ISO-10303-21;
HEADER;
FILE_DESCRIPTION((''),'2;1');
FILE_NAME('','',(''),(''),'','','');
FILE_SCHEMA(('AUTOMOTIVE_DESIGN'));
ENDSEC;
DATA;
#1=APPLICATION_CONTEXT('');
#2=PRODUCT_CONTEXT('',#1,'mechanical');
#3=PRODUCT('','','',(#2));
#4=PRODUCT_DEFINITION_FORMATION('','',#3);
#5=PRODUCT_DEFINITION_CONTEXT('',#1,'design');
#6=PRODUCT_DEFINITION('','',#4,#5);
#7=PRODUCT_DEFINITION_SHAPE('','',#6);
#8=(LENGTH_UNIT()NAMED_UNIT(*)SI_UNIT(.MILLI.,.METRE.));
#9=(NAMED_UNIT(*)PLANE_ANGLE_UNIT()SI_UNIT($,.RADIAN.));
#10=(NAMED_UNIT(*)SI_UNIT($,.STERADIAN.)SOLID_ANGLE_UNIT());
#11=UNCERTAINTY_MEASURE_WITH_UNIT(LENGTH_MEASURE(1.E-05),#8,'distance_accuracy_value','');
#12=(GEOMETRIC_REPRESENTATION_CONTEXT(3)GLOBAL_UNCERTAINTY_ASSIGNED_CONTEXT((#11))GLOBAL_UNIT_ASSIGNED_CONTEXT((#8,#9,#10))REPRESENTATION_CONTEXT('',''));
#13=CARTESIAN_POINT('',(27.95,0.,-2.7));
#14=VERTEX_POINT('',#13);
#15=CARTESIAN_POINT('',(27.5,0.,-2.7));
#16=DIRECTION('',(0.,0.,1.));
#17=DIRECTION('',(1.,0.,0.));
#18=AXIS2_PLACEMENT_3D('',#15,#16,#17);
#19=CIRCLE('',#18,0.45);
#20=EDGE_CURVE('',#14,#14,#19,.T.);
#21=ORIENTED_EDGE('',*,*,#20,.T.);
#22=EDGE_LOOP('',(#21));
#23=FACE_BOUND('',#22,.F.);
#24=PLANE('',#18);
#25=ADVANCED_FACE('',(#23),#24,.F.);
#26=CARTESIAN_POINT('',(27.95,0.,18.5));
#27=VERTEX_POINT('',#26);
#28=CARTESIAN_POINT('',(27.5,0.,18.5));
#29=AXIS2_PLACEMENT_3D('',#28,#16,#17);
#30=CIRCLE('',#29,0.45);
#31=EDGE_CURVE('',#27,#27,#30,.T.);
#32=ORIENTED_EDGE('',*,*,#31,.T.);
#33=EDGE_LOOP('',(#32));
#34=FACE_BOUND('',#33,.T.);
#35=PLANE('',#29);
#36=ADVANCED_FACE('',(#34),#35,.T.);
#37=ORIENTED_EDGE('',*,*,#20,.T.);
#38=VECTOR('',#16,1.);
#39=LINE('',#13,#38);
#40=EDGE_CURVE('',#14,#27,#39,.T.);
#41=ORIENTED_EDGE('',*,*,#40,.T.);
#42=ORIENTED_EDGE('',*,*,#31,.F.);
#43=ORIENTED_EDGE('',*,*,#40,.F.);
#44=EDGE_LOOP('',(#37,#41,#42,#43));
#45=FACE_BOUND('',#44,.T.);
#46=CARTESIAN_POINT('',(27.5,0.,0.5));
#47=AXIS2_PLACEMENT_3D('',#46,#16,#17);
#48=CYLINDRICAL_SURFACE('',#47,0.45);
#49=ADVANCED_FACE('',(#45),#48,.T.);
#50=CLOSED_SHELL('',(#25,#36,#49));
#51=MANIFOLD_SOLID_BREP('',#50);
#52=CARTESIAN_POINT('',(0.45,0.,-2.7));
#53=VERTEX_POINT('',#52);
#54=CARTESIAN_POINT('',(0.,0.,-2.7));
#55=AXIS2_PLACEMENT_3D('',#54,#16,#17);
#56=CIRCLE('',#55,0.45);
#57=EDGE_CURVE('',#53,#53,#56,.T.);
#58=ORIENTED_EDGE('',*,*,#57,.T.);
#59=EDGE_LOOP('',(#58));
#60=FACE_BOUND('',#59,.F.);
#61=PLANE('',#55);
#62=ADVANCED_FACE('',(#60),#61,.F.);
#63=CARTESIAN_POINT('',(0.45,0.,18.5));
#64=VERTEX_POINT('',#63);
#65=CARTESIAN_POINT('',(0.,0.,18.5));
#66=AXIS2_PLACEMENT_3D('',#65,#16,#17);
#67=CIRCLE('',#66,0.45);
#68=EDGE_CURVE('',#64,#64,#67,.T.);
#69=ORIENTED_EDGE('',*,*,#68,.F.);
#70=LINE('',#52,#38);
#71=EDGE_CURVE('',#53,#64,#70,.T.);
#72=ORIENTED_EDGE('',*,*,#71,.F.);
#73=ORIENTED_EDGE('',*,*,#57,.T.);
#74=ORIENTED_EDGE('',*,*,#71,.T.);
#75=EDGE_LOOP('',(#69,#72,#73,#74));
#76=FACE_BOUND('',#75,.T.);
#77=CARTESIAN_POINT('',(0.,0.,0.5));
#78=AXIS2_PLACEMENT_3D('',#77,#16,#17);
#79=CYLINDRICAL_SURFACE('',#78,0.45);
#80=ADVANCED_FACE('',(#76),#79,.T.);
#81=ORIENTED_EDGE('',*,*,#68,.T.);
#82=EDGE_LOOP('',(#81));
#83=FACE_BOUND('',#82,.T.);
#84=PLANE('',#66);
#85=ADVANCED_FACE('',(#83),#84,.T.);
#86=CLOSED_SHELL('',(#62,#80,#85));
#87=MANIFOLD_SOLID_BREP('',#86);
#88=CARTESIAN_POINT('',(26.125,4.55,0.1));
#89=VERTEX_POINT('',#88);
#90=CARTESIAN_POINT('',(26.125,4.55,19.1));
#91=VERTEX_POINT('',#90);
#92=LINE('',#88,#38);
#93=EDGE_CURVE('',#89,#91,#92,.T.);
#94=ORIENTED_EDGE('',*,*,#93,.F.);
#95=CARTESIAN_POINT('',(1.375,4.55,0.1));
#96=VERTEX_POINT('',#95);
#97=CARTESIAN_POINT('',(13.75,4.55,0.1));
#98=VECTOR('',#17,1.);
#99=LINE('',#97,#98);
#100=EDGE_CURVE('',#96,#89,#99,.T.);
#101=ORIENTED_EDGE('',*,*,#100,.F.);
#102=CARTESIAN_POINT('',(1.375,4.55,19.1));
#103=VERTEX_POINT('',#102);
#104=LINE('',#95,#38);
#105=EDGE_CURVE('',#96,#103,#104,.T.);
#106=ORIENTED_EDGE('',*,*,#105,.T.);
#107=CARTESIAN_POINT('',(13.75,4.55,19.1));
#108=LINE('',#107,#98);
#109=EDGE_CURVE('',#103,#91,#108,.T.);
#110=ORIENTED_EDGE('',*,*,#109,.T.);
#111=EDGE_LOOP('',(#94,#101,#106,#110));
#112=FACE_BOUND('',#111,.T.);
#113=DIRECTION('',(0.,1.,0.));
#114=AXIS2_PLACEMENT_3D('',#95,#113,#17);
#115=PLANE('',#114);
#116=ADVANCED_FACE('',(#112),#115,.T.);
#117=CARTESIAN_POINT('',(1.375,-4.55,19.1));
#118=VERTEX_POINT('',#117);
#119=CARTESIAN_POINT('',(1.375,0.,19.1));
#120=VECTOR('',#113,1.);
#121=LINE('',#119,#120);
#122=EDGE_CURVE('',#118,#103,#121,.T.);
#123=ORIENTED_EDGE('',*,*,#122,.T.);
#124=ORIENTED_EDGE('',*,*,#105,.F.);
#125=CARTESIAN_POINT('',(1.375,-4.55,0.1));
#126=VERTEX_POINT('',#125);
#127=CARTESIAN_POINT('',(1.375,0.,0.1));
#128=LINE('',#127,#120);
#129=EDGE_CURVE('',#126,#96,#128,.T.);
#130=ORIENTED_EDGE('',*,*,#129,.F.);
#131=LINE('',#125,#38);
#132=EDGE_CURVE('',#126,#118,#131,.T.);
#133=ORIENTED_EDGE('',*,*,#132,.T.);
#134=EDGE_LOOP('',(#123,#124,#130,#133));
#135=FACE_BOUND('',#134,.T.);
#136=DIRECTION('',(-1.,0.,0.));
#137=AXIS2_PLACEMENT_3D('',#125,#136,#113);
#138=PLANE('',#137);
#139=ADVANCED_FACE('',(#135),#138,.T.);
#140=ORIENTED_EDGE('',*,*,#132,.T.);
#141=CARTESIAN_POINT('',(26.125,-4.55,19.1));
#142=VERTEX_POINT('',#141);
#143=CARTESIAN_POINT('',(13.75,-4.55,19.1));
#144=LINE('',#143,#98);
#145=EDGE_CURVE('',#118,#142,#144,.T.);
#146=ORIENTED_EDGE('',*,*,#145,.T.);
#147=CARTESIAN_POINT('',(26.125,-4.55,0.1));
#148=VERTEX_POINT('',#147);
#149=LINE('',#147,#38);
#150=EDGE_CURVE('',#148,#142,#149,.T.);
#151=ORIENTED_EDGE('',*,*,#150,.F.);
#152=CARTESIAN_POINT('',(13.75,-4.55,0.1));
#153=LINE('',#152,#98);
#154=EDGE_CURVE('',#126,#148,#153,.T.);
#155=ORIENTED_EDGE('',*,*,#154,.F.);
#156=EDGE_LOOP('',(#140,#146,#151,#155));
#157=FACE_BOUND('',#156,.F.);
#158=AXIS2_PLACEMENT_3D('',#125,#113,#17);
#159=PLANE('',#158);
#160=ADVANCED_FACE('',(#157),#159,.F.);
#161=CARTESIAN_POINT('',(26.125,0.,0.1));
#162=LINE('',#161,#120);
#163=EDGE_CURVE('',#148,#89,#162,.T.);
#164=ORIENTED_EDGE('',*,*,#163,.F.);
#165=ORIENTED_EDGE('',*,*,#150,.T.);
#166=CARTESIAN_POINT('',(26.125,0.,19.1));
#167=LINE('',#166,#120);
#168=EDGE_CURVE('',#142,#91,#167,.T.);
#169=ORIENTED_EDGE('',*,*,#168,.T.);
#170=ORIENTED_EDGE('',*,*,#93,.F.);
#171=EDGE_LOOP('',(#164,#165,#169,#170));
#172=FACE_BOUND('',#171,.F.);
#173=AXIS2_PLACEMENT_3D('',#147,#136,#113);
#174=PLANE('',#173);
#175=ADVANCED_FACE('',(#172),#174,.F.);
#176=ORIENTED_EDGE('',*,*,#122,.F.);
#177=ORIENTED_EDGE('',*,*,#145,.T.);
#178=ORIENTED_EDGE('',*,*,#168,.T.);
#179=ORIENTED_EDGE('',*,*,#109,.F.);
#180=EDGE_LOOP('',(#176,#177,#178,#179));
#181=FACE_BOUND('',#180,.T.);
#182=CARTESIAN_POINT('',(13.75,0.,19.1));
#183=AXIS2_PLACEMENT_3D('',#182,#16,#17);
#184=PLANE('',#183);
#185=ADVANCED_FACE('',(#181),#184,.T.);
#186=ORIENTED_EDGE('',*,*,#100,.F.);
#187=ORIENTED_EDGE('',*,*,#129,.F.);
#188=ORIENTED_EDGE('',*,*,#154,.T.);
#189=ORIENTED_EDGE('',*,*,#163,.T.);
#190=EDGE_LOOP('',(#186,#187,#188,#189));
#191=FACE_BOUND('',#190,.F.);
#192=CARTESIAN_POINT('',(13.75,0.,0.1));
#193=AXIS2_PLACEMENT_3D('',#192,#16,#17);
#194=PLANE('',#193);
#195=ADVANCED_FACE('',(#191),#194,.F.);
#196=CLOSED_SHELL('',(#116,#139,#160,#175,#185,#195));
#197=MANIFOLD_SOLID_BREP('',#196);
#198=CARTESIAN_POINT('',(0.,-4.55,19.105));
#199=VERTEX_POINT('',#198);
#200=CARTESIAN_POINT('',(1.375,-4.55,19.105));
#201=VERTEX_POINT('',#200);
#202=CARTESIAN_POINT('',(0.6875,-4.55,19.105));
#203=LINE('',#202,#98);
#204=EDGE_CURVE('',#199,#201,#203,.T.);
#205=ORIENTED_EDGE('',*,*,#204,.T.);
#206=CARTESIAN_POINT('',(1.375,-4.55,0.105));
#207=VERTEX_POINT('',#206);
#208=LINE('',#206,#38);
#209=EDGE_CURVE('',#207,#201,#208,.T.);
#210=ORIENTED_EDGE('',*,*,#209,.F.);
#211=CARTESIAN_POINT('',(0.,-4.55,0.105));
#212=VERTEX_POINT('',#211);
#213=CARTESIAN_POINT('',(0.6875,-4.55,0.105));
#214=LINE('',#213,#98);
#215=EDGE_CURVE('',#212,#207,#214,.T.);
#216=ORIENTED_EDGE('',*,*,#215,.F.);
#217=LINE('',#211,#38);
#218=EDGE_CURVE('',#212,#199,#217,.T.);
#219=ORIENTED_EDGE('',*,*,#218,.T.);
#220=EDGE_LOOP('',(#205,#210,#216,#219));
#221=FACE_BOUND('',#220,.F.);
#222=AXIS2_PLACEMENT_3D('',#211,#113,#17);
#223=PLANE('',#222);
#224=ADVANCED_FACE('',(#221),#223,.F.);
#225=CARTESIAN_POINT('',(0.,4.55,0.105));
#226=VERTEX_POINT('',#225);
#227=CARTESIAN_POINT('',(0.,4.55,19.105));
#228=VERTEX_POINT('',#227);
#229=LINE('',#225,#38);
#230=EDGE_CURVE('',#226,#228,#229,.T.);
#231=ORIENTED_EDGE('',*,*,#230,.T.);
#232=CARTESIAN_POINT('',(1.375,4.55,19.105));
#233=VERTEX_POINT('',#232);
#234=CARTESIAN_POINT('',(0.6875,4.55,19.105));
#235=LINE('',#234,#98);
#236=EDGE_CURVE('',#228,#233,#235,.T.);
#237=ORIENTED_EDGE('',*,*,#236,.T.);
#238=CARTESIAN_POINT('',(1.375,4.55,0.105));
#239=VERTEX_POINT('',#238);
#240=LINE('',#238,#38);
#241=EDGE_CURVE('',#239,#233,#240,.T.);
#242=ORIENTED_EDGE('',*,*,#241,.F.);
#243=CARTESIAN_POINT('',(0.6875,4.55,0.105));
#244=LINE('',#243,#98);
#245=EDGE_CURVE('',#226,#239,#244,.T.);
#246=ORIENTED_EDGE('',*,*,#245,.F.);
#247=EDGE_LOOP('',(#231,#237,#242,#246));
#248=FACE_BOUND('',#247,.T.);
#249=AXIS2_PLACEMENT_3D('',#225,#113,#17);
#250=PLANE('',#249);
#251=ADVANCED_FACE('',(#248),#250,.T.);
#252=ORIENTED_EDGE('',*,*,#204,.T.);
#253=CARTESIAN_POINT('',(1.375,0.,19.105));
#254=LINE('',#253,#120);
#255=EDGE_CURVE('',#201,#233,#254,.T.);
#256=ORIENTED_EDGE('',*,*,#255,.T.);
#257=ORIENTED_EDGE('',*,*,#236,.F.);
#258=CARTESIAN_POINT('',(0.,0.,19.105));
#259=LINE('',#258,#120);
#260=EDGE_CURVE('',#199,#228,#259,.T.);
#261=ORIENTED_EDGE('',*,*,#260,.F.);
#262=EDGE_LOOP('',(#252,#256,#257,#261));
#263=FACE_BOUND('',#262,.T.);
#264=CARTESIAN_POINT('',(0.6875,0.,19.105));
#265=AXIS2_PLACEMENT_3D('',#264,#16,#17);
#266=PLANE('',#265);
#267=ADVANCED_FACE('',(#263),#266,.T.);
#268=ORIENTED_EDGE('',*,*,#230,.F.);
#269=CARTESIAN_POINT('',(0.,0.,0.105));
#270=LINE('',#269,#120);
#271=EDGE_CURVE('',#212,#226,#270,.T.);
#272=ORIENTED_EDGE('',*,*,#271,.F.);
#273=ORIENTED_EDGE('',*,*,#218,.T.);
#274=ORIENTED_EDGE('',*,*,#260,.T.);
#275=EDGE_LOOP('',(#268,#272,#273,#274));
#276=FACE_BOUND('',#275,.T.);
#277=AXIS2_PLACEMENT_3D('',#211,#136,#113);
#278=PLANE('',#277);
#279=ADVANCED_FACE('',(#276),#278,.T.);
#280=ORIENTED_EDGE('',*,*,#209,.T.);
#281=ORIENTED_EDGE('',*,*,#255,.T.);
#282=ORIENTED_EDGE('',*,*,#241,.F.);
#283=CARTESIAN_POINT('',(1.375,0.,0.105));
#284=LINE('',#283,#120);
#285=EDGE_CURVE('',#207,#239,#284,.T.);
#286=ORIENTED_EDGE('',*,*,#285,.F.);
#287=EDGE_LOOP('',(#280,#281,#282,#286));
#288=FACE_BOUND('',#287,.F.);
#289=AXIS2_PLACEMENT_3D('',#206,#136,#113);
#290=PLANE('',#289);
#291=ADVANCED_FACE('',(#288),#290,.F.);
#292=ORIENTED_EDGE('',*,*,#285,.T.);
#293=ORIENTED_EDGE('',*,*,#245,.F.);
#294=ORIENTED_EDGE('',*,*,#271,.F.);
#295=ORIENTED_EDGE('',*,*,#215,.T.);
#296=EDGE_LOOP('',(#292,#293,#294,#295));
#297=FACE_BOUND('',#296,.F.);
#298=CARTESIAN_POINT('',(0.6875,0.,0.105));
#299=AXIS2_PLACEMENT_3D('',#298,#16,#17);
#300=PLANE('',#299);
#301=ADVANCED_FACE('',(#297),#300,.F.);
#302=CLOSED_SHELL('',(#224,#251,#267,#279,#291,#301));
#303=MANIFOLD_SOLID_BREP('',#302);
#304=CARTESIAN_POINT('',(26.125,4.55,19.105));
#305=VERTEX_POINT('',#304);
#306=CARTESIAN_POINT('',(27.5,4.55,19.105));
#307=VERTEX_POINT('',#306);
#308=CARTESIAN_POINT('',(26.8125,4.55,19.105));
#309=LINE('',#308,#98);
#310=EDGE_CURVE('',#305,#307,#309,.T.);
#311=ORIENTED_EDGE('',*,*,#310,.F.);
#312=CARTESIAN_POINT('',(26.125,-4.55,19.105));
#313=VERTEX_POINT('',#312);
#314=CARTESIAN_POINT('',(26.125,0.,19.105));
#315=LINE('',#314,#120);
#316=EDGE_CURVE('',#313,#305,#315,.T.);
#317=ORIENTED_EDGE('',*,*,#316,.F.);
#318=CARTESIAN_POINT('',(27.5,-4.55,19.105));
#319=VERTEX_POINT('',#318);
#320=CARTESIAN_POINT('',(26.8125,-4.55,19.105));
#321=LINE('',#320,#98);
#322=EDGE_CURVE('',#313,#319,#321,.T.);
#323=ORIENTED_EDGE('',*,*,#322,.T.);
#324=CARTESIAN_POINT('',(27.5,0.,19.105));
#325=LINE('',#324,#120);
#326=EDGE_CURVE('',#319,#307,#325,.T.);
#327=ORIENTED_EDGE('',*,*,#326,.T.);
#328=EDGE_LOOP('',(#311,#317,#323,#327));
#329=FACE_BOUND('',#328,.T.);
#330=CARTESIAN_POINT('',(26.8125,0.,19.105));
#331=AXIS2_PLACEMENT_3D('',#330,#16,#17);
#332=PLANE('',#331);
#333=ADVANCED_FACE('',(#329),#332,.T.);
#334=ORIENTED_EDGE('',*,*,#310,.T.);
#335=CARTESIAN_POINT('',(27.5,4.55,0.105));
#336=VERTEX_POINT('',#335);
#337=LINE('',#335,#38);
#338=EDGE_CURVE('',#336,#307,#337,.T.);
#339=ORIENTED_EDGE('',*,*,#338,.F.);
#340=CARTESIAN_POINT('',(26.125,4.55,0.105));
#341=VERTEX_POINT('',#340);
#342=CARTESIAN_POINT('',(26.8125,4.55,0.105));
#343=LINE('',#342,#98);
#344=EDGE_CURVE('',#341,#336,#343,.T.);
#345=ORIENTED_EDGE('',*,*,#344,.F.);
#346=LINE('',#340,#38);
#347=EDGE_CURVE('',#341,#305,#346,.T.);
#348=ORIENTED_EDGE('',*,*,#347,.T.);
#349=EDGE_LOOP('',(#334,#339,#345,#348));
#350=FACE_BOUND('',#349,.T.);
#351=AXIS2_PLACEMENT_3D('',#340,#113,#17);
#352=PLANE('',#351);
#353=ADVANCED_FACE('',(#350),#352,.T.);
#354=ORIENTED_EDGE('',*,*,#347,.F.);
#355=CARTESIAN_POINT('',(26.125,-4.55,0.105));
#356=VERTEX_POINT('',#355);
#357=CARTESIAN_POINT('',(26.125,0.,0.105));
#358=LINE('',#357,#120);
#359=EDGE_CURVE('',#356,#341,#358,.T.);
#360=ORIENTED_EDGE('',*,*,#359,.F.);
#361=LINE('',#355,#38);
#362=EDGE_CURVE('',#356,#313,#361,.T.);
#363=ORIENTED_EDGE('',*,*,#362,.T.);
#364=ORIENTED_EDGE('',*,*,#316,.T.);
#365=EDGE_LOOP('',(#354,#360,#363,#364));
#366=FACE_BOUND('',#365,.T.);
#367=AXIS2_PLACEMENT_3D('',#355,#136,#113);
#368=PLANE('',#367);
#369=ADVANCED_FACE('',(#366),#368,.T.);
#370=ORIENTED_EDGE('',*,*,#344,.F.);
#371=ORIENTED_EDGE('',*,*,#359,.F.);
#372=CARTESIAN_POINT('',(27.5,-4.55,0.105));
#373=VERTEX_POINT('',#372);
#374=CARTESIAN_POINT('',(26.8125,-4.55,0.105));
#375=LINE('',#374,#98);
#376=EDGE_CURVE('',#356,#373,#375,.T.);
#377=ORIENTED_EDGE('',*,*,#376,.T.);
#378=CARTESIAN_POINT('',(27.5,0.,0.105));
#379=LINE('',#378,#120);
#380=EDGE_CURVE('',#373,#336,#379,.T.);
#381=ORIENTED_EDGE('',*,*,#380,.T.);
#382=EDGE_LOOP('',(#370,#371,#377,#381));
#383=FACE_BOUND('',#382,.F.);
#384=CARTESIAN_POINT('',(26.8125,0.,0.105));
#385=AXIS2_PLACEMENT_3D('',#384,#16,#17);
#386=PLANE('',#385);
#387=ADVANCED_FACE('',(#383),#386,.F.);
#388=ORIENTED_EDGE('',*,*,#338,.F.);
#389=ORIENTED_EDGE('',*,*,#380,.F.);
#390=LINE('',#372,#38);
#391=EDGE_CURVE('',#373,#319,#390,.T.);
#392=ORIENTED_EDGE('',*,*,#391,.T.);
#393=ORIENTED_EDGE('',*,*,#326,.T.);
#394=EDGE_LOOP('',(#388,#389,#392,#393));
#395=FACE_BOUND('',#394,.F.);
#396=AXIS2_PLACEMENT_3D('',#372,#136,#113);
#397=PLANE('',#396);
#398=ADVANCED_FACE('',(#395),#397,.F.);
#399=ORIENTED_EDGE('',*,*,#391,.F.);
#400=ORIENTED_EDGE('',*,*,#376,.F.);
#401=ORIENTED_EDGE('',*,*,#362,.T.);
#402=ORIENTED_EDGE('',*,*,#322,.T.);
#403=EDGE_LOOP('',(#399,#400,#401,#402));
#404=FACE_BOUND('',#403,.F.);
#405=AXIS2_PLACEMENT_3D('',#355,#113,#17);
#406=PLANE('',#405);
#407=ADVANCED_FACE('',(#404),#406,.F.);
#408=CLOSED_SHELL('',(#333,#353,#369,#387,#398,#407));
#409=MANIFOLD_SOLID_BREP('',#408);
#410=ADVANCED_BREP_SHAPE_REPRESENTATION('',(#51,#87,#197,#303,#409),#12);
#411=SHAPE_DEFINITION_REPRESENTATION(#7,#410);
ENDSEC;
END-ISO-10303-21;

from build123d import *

# Parameters (mm, degrees)
SKETCH_W          = 24.75
SKETCH_H          = 9.1
PAD_DEPTH         = 19
SKETCH001_R       = 0.45
PAD001_DEPTH      = 18
PAD001_DEPTH_BACK = 3.2
SKETCH002_W       = 1.375
SKETCH002_H       = 9.1
PAD002_DEPTH      = 19


with BuildPart() as pad:
    # Sketch → Pad (new body)
    with BuildSketch(Plane.XY.offset(0.1)):
        with Locations((13.75, 0)):
            Rectangle(SKETCH_W, SKETCH_H)
    extrude(amount=PAD_DEPTH)


with BuildPart() as pad001:
    # Sketch001 → Pad001 (new body, two sides)
    with BuildSketch(Plane.XY.offset(0.5)) as pad001_sk:
        Circle(SKETCH001_R)
        with Locations((27.5, 0)):
            Circle(SKETCH001_R)
    extrude(amount=PAD001_DEPTH)
    extrude(pad001_sk.sketch, amount=-PAD001_DEPTH_BACK)


with BuildPart() as pad002:
    # Sketch002 → Pad002 (new body)
    with BuildSketch(Plane.XY.offset(0.105)):
        with Locations((0.6875, 0)):
            Rectangle(SKETCH002_W, SKETCH002_H)
        with Locations((26.8125, 0)):
            Rectangle(SKETCH002_W, SKETCH002_H)
    extrude(amount=PAD002_DEPTH)


solid = Compound([pad.part, pad001.part, pad002.part])
